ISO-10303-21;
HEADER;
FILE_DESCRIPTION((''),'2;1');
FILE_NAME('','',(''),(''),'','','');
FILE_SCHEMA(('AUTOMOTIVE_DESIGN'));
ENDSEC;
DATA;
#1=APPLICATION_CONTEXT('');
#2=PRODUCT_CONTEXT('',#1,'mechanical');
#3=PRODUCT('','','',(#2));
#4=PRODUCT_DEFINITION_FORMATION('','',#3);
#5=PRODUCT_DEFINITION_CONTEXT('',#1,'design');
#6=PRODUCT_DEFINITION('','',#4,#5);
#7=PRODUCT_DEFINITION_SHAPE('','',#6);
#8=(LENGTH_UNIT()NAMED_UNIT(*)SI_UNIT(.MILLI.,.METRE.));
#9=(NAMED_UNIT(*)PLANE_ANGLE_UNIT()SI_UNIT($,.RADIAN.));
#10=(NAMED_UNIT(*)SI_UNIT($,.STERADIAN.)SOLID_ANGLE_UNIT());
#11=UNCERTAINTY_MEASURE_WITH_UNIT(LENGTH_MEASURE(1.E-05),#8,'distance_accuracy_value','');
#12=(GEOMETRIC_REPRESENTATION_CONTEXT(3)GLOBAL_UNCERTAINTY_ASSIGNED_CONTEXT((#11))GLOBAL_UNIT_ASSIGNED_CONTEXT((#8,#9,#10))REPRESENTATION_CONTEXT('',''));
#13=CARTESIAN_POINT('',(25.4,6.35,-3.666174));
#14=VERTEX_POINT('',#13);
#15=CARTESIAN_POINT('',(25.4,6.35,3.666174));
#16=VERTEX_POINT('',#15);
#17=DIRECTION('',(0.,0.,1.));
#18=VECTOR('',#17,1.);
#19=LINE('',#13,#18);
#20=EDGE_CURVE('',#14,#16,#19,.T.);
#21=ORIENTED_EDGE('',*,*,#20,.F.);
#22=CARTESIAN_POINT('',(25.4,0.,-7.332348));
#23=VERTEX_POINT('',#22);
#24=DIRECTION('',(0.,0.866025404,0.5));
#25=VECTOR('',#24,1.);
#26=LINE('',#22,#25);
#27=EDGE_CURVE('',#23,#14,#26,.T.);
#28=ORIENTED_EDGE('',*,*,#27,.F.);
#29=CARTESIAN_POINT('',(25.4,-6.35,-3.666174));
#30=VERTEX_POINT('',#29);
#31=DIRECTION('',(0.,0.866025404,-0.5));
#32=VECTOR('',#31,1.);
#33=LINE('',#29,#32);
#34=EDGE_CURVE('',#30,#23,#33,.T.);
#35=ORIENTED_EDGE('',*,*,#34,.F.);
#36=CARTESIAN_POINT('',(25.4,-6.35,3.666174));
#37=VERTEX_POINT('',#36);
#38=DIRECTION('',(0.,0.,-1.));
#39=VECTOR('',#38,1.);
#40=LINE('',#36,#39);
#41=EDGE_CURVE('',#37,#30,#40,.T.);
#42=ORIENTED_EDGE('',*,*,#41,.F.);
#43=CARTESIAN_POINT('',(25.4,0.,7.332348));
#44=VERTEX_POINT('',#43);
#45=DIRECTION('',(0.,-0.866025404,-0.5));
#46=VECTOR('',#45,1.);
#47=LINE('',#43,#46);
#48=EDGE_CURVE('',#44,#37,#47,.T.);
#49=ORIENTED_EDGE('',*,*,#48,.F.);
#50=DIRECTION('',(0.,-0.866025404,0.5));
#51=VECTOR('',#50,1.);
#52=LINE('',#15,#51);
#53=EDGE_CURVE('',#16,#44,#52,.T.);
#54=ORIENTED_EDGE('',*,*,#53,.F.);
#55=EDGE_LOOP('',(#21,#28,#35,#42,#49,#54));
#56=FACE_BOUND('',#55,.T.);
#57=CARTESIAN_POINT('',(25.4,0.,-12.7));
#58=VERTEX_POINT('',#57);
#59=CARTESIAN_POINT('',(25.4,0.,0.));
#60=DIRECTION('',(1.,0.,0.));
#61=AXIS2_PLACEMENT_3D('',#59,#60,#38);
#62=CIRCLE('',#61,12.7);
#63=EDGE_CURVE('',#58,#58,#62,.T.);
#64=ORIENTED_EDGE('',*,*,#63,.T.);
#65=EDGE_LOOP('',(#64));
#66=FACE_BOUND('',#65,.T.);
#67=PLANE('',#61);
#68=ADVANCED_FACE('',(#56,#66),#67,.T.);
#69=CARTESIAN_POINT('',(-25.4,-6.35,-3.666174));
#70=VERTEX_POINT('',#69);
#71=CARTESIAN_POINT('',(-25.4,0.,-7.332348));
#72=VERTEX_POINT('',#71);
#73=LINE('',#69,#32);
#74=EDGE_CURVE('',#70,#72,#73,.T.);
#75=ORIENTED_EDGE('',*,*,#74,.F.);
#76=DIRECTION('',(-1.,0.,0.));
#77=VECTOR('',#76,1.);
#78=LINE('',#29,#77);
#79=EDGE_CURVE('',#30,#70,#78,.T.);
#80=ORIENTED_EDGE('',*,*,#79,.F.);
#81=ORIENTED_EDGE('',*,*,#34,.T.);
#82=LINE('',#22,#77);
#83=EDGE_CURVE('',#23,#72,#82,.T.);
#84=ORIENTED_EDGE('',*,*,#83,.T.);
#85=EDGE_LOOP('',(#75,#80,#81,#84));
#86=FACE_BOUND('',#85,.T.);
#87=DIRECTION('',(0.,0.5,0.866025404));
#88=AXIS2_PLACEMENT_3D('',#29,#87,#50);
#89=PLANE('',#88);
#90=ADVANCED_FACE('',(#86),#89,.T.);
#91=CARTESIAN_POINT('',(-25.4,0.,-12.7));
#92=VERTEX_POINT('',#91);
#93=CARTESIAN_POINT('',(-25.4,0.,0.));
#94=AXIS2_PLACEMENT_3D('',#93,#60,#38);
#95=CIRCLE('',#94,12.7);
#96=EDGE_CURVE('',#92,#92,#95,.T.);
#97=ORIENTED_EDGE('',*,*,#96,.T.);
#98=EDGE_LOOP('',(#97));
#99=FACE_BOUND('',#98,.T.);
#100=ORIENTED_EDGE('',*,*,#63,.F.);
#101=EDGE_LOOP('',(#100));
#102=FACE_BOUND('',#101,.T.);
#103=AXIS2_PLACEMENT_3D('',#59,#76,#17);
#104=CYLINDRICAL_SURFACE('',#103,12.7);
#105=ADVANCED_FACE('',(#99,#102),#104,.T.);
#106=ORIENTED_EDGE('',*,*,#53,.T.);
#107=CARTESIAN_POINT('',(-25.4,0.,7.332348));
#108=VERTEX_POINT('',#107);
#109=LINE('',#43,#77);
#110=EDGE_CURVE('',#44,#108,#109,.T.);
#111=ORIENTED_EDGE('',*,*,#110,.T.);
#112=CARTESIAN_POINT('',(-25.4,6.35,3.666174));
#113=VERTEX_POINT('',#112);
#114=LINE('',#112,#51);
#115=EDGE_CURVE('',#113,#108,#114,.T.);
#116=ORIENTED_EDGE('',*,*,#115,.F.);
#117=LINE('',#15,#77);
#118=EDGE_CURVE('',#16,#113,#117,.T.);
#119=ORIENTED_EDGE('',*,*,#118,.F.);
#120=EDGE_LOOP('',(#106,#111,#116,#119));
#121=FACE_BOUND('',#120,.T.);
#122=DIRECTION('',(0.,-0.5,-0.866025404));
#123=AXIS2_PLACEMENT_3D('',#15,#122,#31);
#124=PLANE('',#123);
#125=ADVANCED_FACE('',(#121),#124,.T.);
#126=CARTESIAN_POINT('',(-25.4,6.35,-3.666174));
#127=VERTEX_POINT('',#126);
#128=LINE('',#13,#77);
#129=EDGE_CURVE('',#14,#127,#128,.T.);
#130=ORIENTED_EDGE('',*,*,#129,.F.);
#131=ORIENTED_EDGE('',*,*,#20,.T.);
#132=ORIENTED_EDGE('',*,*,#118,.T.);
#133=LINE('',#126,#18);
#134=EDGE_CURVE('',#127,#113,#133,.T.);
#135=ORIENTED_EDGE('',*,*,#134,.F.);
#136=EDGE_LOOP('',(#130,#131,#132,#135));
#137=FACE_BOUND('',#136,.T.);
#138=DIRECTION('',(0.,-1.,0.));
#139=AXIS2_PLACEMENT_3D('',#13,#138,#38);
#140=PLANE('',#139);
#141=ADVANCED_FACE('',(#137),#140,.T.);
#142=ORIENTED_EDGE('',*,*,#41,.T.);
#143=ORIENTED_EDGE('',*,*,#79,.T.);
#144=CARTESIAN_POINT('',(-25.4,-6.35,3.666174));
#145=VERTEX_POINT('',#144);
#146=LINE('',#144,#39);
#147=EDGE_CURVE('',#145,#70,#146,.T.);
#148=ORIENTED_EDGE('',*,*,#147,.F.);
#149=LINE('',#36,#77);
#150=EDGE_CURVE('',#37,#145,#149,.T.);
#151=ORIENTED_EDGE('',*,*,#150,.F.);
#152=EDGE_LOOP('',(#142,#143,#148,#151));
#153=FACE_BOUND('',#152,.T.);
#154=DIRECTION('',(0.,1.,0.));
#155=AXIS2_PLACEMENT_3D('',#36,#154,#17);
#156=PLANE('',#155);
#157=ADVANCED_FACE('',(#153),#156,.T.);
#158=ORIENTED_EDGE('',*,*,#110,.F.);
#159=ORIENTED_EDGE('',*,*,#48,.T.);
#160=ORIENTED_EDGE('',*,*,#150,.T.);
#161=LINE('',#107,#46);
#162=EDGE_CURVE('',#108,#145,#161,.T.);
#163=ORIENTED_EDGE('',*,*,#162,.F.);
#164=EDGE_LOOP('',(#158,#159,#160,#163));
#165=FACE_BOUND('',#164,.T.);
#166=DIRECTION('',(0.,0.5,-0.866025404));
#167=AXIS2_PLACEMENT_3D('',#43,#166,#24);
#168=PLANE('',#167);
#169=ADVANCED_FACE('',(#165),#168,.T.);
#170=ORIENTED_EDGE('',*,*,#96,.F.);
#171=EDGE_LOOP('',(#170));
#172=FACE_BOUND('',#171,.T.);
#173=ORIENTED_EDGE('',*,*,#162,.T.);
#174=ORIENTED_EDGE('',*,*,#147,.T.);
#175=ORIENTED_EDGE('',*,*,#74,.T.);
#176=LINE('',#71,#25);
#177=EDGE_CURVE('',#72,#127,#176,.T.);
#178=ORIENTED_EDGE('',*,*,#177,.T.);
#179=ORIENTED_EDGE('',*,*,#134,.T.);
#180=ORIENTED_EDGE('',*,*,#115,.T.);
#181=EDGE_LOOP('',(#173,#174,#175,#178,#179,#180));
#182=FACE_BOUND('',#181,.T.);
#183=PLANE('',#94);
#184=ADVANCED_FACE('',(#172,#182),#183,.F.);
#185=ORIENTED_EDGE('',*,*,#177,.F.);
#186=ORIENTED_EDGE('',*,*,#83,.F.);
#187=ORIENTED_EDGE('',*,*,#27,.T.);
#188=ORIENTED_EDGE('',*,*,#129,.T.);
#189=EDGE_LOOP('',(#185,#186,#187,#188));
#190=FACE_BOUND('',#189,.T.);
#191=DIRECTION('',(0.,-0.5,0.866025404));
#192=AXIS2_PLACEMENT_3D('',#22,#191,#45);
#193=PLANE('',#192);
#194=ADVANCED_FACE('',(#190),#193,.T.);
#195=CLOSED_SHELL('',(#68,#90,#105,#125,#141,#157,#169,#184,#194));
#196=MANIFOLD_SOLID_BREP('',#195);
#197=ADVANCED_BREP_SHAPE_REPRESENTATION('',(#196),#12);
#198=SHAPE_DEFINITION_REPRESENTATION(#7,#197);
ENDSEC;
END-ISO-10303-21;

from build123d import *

# Parameters (mm, degrees)
SKETCH1_R           = 12.7
BOSS_EXTRUDE1_DEPTH = 25.4


with BuildPart() as part:
    # Sketch1 → Boss-Extrude1 (new, symmetric)
    with BuildSketch(Plane(origin=(0, 0, 0), x_dir=(0, 0, -1), z_dir=(1, 0, 0))):
        Circle(SKETCH1_R)
        Polygon((7.332348419, 0), (3.666174209, 6.35), (-3.666174209, 6.35), (-7.332348419, 0), (-3.666174209, -6.35), (3.666174209, -6.35), align=None, mode=Mode.SUBTRACT)
    extrude(amount=BOSS_EXTRUDE1_DEPTH, both=True)


solid = part.part
